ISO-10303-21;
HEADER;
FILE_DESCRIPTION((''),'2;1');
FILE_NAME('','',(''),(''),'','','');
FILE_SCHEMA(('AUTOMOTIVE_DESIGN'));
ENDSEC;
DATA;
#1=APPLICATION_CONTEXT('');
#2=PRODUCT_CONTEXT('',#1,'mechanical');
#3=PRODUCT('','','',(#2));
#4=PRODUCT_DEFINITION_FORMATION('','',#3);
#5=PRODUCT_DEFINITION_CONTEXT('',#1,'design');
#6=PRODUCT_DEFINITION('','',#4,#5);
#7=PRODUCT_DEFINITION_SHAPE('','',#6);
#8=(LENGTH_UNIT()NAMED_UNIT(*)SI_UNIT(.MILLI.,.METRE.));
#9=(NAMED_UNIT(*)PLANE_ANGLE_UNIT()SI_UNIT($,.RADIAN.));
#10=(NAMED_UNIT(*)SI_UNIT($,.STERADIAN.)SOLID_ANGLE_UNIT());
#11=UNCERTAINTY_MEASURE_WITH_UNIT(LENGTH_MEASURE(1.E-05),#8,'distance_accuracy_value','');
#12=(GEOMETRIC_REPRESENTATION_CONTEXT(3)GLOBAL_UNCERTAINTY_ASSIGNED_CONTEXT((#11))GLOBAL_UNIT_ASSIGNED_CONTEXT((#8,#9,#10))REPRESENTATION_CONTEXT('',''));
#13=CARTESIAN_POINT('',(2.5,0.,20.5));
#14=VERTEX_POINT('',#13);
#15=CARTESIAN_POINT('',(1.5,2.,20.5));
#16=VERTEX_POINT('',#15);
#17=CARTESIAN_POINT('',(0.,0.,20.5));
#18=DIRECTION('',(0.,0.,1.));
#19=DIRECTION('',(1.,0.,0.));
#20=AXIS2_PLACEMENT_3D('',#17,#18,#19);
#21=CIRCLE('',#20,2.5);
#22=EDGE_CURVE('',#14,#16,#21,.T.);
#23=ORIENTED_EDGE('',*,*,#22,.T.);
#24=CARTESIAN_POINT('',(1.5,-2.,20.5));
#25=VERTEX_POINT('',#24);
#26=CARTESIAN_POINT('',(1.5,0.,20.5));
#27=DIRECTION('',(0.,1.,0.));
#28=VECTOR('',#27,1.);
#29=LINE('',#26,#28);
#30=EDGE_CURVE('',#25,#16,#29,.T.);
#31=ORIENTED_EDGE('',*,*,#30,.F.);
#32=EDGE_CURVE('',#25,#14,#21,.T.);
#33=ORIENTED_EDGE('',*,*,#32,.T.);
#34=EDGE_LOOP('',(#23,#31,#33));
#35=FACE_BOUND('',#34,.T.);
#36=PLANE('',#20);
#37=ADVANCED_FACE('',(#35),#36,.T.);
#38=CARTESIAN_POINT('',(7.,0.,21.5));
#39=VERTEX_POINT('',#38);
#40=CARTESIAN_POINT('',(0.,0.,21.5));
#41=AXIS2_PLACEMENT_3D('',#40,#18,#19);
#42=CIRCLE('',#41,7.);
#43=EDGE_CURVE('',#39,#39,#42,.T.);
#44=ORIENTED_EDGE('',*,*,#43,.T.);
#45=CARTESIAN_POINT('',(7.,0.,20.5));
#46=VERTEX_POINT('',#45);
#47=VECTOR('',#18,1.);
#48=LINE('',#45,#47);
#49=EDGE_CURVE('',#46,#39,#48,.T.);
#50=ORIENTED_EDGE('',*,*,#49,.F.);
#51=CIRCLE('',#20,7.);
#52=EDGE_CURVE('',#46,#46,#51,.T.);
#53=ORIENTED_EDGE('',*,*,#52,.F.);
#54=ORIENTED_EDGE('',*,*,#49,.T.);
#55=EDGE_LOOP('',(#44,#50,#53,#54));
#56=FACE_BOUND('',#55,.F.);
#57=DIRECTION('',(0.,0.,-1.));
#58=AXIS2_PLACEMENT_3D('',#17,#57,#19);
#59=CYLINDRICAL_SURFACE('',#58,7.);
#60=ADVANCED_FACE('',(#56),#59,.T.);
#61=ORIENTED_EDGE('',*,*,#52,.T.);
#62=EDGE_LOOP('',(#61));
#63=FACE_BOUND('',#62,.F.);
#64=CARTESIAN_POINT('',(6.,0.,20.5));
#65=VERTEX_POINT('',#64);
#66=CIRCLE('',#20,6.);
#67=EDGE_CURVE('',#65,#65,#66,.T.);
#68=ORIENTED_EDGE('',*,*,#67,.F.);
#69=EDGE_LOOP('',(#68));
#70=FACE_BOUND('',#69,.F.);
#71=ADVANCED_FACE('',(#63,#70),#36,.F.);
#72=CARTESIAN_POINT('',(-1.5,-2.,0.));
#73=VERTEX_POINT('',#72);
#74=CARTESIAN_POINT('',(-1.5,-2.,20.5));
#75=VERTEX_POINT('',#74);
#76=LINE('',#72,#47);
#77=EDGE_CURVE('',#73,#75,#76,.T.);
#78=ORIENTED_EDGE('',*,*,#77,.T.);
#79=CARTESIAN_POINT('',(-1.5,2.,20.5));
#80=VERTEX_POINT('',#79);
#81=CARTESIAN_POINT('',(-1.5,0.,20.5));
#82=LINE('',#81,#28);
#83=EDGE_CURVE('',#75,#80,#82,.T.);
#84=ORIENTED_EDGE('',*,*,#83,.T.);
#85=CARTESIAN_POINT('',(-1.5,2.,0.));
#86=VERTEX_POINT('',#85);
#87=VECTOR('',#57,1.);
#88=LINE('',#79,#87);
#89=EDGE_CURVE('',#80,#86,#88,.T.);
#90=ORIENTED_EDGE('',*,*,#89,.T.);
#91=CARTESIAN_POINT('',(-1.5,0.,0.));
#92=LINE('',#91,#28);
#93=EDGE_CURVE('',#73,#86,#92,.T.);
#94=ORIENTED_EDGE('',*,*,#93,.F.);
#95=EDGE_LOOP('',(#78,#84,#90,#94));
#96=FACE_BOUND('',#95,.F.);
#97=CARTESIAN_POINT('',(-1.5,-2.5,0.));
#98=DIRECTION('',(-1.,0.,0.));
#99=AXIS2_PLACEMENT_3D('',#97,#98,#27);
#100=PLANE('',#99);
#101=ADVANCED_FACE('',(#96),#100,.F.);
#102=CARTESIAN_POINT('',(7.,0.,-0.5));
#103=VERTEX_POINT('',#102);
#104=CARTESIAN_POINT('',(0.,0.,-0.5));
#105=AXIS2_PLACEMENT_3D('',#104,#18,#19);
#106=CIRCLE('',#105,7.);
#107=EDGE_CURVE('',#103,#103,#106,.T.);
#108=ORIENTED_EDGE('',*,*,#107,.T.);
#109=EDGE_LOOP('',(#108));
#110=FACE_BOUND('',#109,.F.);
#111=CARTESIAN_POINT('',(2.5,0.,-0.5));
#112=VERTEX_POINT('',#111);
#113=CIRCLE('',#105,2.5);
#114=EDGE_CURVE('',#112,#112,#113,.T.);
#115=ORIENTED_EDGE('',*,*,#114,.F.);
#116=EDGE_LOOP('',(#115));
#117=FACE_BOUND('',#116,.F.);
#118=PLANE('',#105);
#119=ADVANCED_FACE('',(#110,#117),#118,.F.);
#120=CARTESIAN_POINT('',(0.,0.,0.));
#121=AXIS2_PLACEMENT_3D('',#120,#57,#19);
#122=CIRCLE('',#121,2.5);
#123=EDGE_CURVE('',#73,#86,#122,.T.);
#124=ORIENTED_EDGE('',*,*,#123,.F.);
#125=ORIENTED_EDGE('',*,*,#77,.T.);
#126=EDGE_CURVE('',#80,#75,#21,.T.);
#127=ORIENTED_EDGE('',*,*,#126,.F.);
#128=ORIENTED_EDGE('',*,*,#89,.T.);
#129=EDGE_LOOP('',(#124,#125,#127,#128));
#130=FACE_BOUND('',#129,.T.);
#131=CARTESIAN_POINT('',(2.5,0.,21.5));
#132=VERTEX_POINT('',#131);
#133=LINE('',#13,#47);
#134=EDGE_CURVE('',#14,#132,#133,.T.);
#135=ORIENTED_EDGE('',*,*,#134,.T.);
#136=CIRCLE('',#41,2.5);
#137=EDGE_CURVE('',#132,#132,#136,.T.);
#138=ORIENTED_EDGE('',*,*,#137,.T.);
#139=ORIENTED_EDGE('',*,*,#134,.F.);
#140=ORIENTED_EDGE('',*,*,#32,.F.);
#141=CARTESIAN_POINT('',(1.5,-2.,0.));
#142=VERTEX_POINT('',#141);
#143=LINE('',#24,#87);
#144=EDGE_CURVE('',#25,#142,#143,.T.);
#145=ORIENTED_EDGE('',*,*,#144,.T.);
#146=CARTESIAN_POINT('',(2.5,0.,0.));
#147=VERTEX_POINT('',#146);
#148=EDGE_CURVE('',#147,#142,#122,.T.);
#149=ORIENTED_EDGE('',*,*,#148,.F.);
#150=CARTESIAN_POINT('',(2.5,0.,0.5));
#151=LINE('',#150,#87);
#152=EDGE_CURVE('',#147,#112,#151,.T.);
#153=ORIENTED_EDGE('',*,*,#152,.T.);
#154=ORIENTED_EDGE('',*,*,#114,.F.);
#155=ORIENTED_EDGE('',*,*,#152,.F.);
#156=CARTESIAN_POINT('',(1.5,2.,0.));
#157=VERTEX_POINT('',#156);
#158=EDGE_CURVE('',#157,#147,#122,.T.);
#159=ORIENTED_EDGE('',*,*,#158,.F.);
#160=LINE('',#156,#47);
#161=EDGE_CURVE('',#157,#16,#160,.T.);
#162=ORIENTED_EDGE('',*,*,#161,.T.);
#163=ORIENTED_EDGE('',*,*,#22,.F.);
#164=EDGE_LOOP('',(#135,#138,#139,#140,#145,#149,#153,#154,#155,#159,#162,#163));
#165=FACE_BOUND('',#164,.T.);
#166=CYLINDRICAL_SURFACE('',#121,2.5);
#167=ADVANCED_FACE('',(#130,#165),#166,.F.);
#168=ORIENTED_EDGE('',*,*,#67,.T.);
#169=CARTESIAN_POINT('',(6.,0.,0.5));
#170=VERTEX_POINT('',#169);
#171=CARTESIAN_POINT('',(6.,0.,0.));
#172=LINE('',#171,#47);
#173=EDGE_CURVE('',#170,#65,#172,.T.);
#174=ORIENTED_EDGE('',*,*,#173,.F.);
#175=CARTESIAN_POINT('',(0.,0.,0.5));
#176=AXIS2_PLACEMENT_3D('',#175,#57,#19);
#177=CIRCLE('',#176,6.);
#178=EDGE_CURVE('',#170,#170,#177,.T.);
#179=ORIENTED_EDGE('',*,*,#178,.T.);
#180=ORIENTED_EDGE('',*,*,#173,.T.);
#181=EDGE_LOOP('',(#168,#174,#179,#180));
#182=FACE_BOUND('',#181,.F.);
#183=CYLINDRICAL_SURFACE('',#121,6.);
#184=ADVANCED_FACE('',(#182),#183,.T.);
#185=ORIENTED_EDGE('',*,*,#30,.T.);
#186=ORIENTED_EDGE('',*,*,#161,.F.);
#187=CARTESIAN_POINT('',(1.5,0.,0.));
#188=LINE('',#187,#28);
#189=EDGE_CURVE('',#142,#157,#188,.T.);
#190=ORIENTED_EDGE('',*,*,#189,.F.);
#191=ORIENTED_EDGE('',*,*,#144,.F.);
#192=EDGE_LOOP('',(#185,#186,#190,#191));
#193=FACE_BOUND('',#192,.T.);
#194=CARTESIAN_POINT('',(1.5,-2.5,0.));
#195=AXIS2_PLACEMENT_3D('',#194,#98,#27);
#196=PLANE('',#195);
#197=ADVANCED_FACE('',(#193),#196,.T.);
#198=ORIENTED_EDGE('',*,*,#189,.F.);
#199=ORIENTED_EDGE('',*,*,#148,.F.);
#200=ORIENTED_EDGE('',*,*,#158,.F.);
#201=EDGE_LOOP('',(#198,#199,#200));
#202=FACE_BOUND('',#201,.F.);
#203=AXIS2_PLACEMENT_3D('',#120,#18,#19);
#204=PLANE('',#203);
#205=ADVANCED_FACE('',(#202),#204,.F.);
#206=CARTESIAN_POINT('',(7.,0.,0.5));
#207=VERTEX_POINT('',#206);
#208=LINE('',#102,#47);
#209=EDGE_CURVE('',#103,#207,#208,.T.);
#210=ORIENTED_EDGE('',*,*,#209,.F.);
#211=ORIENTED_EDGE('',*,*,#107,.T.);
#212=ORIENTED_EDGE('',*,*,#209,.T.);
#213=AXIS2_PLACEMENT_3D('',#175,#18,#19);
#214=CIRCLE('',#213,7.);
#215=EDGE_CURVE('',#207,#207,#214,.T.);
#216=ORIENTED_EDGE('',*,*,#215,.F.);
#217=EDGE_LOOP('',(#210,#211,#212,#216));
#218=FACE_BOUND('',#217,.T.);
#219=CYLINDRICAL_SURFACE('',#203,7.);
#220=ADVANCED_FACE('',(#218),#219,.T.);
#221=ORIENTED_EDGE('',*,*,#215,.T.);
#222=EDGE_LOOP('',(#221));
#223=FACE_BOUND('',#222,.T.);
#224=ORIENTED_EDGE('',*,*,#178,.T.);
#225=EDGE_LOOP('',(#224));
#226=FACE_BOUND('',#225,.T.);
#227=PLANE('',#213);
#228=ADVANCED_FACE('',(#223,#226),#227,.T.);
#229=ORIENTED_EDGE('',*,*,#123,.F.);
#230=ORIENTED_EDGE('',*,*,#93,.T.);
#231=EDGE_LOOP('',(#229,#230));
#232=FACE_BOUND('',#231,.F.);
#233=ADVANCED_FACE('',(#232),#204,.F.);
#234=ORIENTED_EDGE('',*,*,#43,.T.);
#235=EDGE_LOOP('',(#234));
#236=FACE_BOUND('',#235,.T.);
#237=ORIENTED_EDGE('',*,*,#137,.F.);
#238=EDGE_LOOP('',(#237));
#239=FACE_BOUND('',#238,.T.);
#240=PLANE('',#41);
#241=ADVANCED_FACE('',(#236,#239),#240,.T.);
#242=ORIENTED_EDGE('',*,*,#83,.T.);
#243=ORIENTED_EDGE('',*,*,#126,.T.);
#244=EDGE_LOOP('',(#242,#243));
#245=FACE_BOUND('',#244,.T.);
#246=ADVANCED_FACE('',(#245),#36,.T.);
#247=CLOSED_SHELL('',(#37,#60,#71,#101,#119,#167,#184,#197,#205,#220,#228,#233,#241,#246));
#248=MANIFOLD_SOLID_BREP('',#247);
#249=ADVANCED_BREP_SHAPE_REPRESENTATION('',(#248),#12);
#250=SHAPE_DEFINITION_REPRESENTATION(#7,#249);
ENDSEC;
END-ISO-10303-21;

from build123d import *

# Parameters (mm, degrees)
SKETCH_R      = 6
SKETCH_R_2    = 2.5
PAD_DEPTH     = 20.5
SKETCH001_W   = 5.557975
SKETCH001_H   = 5.932069
SKETCH001_W_2 = 3
SKETCH001_H_2 = 5
PAD001_DEPTH  = 20.5
SKETCH003_R   = 7
SKETCH003_R_2 = 2.5
PAD002_DEPTH  = 1
SKETCH004_R   = 7
SKETCH004_R_2 = 2.5
PAD003_DEPTH  = 0.5


with BuildPart() as part:
    # Sketch → Pad (new body)
    with BuildSketch(Plane.XY):
        Circle(SKETCH_R)
        Circle(SKETCH_R_2, mode=Mode.SUBTRACT)
    extrude(amount=PAD_DEPTH)

    # Sketch001 → Pad001 (join)
    with BuildSketch(Plane.XY):
        with Locations((0.008437, -0.106321)):
            Rectangle(SKETCH001_W, SKETCH001_H)
        Rectangle(SKETCH001_W_2, SKETCH001_H_2, mode=Mode.SUBTRACT)
    extrude(amount=PAD001_DEPTH)

    # Sketch003 (on Face5 of Pad001) → Pad002 (join)
    with BuildSketch(Plane.XY.offset(20.5)):
        Circle(SKETCH003_R)
        Circle(SKETCH003_R_2, mode=Mode.SUBTRACT)
    extrude(amount=PAD002_DEPTH)

    # Sketch004 → Pad003 (join, symmetric)
    with BuildSketch(Plane.XY):
        Circle(SKETCH004_R)
        Circle(SKETCH004_R_2, mode=Mode.SUBTRACT)
    extrude(amount=PAD003_DEPTH, both=True)


solid = part.part
